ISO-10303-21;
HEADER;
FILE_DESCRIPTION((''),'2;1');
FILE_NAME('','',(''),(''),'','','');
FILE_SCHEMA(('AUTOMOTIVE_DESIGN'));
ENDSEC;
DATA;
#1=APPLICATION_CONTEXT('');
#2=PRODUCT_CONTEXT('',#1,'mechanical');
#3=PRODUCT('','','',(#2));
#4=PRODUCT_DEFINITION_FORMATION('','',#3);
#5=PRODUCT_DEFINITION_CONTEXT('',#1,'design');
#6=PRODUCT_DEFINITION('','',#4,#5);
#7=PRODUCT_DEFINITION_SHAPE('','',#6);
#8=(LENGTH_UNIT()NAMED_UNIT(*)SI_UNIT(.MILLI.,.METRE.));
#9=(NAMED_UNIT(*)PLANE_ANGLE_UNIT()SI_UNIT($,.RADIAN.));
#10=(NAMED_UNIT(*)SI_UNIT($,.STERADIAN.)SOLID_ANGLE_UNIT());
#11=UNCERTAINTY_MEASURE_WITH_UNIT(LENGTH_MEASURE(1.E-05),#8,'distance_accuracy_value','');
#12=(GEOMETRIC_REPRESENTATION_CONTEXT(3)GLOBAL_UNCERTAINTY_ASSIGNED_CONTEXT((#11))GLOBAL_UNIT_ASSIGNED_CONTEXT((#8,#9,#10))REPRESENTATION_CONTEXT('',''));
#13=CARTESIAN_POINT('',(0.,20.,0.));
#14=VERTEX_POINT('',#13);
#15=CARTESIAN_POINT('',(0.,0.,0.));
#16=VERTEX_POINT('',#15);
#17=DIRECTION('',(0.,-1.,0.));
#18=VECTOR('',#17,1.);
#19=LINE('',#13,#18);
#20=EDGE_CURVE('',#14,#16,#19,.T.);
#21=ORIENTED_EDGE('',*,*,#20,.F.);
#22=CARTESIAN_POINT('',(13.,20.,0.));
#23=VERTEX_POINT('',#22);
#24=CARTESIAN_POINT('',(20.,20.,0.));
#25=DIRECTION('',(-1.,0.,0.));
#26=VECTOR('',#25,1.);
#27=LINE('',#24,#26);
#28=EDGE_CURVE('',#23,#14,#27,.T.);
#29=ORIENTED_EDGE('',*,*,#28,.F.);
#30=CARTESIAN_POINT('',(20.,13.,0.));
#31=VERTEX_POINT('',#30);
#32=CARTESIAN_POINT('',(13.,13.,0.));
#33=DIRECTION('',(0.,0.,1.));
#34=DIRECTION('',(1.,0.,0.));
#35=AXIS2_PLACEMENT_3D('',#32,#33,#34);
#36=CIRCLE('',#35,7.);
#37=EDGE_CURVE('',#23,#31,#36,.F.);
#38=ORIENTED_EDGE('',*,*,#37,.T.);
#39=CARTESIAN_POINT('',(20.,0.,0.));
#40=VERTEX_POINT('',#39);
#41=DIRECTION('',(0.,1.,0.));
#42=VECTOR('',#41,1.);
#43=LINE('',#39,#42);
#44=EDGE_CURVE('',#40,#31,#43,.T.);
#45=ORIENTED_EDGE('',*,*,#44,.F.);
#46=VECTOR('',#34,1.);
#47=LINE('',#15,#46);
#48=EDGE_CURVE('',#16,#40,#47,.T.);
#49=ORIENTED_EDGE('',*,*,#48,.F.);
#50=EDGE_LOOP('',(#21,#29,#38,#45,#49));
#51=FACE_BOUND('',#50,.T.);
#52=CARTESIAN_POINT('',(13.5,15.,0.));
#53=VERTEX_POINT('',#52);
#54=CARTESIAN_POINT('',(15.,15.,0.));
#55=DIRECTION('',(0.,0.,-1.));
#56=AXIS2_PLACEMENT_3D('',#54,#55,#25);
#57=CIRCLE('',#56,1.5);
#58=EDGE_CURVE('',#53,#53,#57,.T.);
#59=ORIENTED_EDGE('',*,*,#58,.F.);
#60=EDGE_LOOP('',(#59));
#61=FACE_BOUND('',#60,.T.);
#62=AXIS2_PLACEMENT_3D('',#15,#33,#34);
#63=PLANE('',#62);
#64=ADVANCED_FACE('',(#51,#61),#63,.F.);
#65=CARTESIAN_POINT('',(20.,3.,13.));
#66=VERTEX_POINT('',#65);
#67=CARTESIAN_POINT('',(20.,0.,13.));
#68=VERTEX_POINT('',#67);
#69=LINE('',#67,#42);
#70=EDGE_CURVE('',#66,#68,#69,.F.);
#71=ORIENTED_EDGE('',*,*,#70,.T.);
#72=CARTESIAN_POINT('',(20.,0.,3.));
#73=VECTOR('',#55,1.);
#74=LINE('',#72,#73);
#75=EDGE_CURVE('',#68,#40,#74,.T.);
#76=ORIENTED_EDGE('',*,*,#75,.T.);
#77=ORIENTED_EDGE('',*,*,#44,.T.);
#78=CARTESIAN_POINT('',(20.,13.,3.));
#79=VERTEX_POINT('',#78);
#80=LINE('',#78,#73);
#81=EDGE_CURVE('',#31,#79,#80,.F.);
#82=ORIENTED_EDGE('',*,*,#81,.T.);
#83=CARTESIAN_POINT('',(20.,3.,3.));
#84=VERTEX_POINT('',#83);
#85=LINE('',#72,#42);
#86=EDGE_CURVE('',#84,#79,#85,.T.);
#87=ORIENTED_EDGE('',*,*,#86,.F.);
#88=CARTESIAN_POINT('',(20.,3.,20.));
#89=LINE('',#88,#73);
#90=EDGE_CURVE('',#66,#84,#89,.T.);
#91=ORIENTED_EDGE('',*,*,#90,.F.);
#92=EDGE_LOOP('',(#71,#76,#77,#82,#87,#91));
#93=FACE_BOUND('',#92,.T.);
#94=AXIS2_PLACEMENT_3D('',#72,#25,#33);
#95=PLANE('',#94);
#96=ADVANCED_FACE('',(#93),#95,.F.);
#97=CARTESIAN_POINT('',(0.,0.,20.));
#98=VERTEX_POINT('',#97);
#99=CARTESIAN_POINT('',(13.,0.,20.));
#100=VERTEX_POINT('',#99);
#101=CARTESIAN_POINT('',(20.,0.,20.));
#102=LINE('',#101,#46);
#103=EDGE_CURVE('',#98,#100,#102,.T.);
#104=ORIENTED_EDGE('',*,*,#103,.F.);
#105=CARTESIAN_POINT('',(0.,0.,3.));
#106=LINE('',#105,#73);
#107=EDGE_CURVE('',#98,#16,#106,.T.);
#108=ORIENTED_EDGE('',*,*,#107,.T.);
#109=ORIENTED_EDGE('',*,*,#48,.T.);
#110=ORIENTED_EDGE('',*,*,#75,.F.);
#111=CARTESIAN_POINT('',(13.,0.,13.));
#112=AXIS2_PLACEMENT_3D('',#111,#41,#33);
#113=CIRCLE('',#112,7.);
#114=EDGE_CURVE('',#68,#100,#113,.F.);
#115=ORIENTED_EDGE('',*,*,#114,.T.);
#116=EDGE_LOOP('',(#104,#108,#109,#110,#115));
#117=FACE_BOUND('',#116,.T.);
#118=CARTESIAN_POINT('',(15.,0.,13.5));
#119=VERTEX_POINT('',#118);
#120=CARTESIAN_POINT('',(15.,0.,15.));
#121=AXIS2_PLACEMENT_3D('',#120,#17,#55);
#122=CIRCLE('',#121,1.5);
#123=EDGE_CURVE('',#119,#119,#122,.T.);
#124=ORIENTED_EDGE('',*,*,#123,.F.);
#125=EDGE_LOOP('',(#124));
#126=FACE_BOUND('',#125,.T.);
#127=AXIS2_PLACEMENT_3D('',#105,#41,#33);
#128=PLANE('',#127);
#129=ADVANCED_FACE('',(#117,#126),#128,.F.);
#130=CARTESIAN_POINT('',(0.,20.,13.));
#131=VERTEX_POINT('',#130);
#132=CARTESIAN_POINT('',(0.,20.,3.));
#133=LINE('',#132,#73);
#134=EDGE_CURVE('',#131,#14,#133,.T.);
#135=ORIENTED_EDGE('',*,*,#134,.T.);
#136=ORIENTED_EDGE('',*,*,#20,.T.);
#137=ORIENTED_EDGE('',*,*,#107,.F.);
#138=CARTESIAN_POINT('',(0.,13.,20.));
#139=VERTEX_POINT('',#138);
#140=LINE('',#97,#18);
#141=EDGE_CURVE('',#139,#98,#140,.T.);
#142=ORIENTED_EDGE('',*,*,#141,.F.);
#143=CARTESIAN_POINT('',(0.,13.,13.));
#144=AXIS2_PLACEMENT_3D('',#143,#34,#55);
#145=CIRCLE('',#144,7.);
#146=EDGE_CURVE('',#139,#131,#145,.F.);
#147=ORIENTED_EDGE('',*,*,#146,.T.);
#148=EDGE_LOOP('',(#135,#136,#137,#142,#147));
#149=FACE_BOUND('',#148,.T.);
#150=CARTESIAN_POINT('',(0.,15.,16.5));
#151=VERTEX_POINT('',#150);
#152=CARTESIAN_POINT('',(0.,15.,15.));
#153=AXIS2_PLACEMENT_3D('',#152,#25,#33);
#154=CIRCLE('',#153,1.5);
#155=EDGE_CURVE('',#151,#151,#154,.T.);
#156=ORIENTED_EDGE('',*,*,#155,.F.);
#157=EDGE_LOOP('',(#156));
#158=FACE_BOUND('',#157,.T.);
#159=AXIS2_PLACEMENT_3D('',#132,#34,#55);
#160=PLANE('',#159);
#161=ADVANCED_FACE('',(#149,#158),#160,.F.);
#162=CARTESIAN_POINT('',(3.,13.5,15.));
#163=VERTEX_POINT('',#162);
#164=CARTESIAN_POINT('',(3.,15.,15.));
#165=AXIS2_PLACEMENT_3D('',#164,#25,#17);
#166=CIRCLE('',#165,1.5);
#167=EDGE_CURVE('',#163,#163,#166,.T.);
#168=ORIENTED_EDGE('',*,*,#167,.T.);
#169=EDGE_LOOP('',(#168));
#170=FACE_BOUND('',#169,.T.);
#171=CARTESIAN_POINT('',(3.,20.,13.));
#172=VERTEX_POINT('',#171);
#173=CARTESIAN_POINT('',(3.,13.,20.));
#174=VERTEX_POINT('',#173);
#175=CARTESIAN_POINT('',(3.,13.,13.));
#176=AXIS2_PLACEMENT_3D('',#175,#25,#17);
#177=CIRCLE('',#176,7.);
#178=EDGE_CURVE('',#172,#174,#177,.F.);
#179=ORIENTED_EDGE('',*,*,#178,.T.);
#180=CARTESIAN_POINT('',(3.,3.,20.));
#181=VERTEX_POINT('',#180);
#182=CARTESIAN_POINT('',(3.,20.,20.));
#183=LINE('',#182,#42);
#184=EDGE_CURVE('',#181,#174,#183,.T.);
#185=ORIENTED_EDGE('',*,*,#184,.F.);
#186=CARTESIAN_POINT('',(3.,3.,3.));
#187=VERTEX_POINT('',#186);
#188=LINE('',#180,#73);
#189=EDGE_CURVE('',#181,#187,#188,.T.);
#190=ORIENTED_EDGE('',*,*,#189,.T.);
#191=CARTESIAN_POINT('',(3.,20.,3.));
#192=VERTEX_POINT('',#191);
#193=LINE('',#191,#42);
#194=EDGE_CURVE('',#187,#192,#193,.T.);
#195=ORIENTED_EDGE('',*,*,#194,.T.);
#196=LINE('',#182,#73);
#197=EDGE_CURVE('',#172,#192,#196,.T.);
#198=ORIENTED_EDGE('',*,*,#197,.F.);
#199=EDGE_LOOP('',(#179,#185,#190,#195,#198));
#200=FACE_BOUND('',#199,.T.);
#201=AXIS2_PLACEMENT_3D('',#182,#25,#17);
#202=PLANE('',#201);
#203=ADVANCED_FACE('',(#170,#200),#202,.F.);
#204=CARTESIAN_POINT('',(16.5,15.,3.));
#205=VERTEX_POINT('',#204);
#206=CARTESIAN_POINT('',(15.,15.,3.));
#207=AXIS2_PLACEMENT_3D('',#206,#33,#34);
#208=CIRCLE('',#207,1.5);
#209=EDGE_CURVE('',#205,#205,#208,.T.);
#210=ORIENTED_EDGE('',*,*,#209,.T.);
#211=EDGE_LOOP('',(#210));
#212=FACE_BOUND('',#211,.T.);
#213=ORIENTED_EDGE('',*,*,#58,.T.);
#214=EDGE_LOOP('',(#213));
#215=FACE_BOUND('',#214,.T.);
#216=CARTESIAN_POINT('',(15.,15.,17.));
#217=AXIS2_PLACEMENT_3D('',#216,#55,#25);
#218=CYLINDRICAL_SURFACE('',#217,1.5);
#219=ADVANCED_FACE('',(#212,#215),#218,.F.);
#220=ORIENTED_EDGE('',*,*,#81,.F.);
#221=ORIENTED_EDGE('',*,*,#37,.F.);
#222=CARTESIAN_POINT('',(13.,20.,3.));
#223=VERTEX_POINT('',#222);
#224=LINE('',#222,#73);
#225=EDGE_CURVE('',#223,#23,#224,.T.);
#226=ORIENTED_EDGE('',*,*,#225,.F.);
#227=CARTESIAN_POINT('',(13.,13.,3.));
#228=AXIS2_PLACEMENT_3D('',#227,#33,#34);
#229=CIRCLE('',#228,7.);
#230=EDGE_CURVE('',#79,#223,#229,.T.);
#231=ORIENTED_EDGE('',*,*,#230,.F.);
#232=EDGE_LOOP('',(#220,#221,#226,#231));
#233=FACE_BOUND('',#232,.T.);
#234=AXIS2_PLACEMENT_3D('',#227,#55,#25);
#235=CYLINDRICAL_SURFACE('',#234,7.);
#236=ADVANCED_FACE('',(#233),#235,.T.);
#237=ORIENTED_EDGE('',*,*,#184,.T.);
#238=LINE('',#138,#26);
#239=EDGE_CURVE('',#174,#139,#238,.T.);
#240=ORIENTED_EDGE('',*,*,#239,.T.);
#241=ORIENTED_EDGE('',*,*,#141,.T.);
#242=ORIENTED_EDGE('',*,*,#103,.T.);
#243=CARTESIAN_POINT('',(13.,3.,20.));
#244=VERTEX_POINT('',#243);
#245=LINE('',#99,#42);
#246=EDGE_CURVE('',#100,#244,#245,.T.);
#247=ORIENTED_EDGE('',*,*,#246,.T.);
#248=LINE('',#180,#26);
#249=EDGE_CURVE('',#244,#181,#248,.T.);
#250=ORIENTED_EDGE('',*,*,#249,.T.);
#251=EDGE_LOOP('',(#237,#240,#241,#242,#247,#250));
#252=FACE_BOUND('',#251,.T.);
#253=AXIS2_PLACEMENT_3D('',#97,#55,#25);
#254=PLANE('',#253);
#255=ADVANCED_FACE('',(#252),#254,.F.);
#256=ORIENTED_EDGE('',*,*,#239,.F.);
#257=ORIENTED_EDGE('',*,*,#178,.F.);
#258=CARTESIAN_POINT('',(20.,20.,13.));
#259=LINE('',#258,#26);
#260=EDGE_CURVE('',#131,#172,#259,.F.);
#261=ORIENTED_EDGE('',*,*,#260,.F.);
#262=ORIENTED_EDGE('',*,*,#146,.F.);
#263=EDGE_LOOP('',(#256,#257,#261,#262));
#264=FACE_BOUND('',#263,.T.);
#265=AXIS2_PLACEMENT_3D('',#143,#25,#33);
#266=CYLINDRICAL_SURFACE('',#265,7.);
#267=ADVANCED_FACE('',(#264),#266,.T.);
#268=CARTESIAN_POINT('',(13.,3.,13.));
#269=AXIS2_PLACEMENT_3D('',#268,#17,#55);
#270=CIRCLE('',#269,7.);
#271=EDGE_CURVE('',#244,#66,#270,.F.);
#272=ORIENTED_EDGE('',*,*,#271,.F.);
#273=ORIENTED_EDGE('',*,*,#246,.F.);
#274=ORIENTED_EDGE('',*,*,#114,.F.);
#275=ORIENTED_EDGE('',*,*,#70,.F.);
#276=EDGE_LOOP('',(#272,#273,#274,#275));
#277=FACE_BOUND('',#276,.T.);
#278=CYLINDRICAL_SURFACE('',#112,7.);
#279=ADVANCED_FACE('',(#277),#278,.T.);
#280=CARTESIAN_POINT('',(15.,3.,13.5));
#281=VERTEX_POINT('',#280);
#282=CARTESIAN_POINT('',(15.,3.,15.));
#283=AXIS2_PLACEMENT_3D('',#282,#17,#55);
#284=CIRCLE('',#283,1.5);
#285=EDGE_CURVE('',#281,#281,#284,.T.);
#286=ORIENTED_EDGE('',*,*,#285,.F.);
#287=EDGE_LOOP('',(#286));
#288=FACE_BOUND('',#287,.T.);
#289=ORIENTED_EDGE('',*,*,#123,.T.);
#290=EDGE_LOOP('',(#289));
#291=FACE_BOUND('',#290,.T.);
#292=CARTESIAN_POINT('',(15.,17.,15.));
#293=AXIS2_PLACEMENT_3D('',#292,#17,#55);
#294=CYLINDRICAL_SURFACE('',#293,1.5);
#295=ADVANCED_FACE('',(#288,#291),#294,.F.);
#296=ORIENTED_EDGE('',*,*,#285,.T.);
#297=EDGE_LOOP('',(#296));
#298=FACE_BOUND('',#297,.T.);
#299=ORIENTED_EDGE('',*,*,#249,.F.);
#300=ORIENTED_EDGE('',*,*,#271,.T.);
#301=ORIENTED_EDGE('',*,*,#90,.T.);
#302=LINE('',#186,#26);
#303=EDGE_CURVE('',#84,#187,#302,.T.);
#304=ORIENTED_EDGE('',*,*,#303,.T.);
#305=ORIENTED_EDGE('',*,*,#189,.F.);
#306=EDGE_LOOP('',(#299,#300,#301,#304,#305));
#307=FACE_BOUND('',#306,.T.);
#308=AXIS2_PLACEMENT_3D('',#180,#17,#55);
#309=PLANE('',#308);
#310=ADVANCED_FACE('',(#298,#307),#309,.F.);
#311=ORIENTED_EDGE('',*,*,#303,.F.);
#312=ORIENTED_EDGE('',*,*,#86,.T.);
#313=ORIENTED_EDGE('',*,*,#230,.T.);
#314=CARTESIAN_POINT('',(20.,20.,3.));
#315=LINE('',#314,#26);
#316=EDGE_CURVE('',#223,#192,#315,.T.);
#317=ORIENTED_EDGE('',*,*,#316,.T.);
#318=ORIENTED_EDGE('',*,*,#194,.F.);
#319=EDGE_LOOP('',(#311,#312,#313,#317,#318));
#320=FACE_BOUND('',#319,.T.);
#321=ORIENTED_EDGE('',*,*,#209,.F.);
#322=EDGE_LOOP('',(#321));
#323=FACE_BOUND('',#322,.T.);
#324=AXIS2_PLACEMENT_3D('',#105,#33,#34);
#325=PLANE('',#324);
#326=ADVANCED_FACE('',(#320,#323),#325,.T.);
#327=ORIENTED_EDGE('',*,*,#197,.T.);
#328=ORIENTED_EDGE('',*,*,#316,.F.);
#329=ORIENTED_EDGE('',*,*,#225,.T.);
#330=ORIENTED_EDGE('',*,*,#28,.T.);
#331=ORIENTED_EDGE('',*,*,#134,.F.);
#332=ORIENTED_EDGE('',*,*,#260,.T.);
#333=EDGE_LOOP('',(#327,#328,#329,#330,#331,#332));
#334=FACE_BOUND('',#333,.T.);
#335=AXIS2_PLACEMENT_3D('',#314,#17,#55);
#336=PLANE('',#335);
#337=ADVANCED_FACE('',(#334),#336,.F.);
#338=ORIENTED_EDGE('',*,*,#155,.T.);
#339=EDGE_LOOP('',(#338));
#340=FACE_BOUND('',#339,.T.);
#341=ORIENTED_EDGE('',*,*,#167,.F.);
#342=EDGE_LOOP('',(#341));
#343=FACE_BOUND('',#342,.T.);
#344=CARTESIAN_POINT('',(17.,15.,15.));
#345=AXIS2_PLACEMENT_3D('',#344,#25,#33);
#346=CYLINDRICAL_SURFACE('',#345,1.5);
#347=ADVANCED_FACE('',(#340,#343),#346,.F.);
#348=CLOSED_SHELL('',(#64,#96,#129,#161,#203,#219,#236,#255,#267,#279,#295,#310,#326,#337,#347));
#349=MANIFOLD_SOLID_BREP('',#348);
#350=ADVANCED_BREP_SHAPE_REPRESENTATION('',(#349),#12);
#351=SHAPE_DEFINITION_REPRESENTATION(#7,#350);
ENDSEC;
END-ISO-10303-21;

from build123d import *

# Parameters (mm, degrees)
SKETCH1_W           = 20
SKETCH1_H           = 20
BOSS_EXTRUDE1_DEPTH = 3
BOSS_EXTRUDE2_DEPTH = 17
SKETCH3_R           = 1.5
CUT_EXTRUDE1_DEPTH  = 17
SKETCH4_R           = 1.5
CUT_EXTRUDE2_DEPTH  = 17
SKETCH5_R           = 1.5
CUT_EXTRUDE3_DEPTH  = 17
FILLET1_R           = 7


with BuildPart() as part:
    # Sketch1 → Boss-Extrude1 (new body)
    with BuildSketch(Plane.XY):
        with Locations((10, 10)):
            Rectangle(SKETCH1_W, SKETCH1_H)
    extrude(amount=BOSS_EXTRUDE1_DEPTH)

    # Sketch2 → Boss-Extrude2 (add)
    with BuildSketch(Plane.XY.offset(3)):
        Polygon((0, 20), (3, 20), (3, 3), (20, 3), (20, 0), (0, 0), align=None)
    extrude(amount=BOSS_EXTRUDE2_DEPTH)

    # Sketch3 → Cut-Extrude1 (cut)
    with BuildSketch(Plane.ZY):
        with Locations((15, 15)):
            Circle(SKETCH3_R)
    extrude(amount=-CUT_EXTRUDE1_DEPTH, mode=Mode.SUBTRACT)

    # Sketch4 → Cut-Extrude2 (cut)
    with BuildSketch(Plane(origin=(0, 0, 0), x_dir=(-1, 0, 0), z_dir=(0, 0, -1))):
        with Locations((-15, 15)):
            Circle(SKETCH4_R)
    extrude(amount=-CUT_EXTRUDE2_DEPTH, mode=Mode.SUBTRACT)

    # Sketch5 → Cut-Extrude3 (cut)
    with BuildSketch(Plane(origin=(0, 0, 0), x_dir=(-1, 0, 0), z_dir=(0, -1, 0))):
        with Locations(Location((-15, -15, 0), (0, 0, 90))):
            Circle(SKETCH5_R)
    extrude(amount=-CUT_EXTRUDE3_DEPTH, mode=Mode.SUBTRACT)

    # Fillet1
    fillet1_edges = [part.edges().sort_by_distance(p)[0] for p in [
        (20, 1.5, 20),
        (1.5, 20, 20),
        (20, 20, 1.5),
    ]]
    fillet(fillet1_edges, radius=FILLET1_R)


solid = part.part
